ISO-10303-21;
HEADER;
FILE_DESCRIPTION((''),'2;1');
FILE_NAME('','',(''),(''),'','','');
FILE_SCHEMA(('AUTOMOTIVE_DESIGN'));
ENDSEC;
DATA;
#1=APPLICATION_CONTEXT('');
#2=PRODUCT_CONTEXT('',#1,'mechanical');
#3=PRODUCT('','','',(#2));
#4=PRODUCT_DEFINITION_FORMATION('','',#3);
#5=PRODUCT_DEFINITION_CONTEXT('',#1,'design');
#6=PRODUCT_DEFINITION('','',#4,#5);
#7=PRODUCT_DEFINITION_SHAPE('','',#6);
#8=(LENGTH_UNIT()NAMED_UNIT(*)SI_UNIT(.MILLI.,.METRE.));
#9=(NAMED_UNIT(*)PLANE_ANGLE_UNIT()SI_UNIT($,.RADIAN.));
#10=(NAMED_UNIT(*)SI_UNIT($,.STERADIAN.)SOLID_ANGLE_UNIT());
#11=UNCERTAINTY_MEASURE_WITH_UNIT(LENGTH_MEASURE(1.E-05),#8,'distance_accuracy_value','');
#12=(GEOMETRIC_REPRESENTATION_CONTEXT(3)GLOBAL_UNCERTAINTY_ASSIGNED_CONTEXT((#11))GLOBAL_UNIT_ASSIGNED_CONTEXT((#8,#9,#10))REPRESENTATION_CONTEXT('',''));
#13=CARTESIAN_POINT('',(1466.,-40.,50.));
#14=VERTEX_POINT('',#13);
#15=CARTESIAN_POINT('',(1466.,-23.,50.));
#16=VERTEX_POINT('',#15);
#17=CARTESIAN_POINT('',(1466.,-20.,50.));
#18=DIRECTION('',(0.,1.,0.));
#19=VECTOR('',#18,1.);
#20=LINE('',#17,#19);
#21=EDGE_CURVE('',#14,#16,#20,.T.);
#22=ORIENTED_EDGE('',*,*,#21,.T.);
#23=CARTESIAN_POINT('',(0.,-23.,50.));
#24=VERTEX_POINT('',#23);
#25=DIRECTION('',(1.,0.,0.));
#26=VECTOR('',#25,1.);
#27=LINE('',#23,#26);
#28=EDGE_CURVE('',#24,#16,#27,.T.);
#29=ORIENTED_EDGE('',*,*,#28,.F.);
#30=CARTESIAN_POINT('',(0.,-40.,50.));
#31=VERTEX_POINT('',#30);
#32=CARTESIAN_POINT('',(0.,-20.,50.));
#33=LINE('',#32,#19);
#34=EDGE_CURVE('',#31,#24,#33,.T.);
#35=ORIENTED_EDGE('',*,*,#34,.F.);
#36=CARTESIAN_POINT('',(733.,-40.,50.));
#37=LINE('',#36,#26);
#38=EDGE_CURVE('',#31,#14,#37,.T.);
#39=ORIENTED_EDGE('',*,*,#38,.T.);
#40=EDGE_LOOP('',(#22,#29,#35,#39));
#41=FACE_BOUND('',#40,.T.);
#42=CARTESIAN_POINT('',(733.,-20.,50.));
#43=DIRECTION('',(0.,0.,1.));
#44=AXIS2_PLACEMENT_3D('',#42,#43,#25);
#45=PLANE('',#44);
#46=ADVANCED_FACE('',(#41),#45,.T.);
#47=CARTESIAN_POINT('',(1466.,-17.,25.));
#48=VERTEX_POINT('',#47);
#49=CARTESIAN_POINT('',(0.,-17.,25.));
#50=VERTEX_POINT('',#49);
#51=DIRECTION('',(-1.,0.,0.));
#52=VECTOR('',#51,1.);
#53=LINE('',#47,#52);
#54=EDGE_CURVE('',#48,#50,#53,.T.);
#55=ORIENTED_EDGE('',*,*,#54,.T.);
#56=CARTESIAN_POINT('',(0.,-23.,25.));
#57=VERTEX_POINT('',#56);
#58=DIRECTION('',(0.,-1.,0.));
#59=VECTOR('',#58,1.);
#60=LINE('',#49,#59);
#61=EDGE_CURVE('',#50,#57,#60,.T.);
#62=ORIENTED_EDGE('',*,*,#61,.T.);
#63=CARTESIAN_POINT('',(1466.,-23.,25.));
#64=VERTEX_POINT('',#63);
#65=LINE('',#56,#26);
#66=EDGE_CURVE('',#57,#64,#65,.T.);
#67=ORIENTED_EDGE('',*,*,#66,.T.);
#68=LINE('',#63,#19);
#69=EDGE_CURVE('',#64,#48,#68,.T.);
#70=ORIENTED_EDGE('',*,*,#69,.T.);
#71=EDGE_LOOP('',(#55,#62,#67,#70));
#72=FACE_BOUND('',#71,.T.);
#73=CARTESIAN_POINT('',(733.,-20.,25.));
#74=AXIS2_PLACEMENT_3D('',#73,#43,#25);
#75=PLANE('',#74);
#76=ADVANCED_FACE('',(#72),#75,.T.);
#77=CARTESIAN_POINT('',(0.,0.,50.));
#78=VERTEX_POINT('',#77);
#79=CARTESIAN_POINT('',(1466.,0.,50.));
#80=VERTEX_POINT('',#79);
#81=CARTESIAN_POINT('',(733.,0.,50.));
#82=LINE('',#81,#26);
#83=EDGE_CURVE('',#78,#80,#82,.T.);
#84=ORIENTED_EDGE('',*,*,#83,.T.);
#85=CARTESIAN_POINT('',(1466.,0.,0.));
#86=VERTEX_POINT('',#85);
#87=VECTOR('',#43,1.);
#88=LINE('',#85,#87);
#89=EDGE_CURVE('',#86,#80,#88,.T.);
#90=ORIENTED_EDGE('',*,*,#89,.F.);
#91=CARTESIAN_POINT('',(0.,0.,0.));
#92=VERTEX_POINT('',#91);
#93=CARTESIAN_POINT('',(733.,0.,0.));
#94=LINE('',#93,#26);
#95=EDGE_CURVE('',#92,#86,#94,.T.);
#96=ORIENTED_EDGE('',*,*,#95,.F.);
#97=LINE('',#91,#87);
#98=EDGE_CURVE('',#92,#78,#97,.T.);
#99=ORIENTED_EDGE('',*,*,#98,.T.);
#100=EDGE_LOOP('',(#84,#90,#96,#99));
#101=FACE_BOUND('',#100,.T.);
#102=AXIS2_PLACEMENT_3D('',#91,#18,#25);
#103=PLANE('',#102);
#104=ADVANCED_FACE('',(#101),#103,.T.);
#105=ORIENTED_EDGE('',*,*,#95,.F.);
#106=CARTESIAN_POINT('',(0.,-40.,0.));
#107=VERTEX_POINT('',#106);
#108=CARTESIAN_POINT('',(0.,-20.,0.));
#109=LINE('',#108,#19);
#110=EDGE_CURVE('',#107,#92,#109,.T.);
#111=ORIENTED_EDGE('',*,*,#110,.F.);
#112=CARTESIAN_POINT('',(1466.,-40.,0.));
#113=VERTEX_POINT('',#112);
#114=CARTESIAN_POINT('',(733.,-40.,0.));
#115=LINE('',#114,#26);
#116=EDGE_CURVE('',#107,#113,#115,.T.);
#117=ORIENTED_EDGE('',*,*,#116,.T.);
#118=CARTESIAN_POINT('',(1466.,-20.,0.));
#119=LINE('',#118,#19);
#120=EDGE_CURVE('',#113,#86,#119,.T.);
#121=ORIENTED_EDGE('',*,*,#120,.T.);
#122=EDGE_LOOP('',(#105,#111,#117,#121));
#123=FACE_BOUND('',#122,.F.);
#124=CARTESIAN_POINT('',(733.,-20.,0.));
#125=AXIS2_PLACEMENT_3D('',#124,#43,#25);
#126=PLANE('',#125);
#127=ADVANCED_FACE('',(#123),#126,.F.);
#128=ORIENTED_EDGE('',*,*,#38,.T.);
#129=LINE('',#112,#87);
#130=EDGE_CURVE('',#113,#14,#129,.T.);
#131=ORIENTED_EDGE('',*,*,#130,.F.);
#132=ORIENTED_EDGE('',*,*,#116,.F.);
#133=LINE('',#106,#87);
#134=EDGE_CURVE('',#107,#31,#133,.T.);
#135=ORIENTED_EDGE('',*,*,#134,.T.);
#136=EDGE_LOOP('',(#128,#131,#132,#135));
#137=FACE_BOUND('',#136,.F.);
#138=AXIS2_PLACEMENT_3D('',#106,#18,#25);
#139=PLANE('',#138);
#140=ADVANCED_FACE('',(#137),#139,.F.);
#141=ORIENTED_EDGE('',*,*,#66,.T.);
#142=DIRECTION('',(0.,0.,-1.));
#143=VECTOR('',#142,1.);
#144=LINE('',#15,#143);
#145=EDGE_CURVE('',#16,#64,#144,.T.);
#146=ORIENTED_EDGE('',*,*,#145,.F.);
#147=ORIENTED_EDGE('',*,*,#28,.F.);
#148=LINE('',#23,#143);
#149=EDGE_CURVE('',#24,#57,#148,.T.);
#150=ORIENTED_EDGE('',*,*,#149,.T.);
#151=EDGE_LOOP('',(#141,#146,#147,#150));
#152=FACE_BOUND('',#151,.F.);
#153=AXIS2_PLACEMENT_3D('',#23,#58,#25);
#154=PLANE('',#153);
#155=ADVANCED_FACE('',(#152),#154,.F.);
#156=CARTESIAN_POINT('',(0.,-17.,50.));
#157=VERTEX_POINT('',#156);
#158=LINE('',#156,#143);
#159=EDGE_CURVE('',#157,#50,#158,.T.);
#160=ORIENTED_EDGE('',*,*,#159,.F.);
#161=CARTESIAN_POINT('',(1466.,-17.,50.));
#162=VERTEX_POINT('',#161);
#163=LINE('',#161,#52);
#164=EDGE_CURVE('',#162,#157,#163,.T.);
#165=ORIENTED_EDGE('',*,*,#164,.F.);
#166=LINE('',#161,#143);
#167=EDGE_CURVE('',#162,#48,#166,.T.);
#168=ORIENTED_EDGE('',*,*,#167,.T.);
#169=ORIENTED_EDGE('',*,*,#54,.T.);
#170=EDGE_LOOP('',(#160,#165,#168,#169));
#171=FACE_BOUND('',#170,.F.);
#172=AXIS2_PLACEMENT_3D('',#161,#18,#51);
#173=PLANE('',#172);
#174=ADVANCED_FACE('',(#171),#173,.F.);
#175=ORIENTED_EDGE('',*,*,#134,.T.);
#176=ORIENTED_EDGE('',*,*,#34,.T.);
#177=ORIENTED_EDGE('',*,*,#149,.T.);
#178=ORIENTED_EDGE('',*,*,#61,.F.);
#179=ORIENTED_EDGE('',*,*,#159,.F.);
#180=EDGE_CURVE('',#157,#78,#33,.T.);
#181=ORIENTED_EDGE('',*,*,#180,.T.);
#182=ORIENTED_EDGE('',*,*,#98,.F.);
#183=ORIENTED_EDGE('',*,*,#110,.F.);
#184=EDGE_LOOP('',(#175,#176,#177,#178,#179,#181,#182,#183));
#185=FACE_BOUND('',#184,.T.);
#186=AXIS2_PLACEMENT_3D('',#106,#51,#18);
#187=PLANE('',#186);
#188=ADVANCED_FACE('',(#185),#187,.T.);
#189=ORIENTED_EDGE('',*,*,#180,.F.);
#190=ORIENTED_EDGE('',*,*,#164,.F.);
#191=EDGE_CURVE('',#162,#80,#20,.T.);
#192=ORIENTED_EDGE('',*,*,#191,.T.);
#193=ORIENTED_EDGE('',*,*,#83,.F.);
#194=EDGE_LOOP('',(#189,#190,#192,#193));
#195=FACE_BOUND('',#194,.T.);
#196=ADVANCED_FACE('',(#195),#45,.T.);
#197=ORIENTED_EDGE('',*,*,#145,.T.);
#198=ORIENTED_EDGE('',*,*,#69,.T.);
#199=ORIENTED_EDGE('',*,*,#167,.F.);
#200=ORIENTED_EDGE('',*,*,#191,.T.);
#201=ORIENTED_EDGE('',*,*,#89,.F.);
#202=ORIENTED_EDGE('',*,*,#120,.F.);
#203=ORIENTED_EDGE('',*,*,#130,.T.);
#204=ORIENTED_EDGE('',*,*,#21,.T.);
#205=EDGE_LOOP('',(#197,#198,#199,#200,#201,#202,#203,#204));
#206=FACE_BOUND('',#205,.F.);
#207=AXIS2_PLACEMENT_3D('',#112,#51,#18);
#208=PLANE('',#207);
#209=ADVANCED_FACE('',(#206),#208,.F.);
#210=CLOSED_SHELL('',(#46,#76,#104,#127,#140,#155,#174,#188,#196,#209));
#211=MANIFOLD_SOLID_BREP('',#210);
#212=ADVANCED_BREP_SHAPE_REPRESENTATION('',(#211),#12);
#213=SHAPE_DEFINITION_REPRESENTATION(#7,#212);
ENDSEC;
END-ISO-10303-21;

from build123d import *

# Parameters (mm, degrees)
F0_W     = 1466
F0_H     = 40
F1_DEPTH = 50
F3_DEPTH = 25


with BuildPart() as f1:
    # F0 (on Top) → F1 (new body)
    with BuildSketch(Plane.XY):
        with Locations((733, -20)):
            Rectangle(F0_W, F0_H)
    extrude(amount=F1_DEPTH)

    # F2 (on face) → F3 (cut)
    with BuildSketch(Plane.XY.offset(50)):
        Polygon((0, -17), (0, -20), (0, -23), (1466, -23), (1466, -20), (1466, -17), align=None)
    extrude(amount=-F3_DEPTH, mode=Mode.SUBTRACT)


solid = f1.part
